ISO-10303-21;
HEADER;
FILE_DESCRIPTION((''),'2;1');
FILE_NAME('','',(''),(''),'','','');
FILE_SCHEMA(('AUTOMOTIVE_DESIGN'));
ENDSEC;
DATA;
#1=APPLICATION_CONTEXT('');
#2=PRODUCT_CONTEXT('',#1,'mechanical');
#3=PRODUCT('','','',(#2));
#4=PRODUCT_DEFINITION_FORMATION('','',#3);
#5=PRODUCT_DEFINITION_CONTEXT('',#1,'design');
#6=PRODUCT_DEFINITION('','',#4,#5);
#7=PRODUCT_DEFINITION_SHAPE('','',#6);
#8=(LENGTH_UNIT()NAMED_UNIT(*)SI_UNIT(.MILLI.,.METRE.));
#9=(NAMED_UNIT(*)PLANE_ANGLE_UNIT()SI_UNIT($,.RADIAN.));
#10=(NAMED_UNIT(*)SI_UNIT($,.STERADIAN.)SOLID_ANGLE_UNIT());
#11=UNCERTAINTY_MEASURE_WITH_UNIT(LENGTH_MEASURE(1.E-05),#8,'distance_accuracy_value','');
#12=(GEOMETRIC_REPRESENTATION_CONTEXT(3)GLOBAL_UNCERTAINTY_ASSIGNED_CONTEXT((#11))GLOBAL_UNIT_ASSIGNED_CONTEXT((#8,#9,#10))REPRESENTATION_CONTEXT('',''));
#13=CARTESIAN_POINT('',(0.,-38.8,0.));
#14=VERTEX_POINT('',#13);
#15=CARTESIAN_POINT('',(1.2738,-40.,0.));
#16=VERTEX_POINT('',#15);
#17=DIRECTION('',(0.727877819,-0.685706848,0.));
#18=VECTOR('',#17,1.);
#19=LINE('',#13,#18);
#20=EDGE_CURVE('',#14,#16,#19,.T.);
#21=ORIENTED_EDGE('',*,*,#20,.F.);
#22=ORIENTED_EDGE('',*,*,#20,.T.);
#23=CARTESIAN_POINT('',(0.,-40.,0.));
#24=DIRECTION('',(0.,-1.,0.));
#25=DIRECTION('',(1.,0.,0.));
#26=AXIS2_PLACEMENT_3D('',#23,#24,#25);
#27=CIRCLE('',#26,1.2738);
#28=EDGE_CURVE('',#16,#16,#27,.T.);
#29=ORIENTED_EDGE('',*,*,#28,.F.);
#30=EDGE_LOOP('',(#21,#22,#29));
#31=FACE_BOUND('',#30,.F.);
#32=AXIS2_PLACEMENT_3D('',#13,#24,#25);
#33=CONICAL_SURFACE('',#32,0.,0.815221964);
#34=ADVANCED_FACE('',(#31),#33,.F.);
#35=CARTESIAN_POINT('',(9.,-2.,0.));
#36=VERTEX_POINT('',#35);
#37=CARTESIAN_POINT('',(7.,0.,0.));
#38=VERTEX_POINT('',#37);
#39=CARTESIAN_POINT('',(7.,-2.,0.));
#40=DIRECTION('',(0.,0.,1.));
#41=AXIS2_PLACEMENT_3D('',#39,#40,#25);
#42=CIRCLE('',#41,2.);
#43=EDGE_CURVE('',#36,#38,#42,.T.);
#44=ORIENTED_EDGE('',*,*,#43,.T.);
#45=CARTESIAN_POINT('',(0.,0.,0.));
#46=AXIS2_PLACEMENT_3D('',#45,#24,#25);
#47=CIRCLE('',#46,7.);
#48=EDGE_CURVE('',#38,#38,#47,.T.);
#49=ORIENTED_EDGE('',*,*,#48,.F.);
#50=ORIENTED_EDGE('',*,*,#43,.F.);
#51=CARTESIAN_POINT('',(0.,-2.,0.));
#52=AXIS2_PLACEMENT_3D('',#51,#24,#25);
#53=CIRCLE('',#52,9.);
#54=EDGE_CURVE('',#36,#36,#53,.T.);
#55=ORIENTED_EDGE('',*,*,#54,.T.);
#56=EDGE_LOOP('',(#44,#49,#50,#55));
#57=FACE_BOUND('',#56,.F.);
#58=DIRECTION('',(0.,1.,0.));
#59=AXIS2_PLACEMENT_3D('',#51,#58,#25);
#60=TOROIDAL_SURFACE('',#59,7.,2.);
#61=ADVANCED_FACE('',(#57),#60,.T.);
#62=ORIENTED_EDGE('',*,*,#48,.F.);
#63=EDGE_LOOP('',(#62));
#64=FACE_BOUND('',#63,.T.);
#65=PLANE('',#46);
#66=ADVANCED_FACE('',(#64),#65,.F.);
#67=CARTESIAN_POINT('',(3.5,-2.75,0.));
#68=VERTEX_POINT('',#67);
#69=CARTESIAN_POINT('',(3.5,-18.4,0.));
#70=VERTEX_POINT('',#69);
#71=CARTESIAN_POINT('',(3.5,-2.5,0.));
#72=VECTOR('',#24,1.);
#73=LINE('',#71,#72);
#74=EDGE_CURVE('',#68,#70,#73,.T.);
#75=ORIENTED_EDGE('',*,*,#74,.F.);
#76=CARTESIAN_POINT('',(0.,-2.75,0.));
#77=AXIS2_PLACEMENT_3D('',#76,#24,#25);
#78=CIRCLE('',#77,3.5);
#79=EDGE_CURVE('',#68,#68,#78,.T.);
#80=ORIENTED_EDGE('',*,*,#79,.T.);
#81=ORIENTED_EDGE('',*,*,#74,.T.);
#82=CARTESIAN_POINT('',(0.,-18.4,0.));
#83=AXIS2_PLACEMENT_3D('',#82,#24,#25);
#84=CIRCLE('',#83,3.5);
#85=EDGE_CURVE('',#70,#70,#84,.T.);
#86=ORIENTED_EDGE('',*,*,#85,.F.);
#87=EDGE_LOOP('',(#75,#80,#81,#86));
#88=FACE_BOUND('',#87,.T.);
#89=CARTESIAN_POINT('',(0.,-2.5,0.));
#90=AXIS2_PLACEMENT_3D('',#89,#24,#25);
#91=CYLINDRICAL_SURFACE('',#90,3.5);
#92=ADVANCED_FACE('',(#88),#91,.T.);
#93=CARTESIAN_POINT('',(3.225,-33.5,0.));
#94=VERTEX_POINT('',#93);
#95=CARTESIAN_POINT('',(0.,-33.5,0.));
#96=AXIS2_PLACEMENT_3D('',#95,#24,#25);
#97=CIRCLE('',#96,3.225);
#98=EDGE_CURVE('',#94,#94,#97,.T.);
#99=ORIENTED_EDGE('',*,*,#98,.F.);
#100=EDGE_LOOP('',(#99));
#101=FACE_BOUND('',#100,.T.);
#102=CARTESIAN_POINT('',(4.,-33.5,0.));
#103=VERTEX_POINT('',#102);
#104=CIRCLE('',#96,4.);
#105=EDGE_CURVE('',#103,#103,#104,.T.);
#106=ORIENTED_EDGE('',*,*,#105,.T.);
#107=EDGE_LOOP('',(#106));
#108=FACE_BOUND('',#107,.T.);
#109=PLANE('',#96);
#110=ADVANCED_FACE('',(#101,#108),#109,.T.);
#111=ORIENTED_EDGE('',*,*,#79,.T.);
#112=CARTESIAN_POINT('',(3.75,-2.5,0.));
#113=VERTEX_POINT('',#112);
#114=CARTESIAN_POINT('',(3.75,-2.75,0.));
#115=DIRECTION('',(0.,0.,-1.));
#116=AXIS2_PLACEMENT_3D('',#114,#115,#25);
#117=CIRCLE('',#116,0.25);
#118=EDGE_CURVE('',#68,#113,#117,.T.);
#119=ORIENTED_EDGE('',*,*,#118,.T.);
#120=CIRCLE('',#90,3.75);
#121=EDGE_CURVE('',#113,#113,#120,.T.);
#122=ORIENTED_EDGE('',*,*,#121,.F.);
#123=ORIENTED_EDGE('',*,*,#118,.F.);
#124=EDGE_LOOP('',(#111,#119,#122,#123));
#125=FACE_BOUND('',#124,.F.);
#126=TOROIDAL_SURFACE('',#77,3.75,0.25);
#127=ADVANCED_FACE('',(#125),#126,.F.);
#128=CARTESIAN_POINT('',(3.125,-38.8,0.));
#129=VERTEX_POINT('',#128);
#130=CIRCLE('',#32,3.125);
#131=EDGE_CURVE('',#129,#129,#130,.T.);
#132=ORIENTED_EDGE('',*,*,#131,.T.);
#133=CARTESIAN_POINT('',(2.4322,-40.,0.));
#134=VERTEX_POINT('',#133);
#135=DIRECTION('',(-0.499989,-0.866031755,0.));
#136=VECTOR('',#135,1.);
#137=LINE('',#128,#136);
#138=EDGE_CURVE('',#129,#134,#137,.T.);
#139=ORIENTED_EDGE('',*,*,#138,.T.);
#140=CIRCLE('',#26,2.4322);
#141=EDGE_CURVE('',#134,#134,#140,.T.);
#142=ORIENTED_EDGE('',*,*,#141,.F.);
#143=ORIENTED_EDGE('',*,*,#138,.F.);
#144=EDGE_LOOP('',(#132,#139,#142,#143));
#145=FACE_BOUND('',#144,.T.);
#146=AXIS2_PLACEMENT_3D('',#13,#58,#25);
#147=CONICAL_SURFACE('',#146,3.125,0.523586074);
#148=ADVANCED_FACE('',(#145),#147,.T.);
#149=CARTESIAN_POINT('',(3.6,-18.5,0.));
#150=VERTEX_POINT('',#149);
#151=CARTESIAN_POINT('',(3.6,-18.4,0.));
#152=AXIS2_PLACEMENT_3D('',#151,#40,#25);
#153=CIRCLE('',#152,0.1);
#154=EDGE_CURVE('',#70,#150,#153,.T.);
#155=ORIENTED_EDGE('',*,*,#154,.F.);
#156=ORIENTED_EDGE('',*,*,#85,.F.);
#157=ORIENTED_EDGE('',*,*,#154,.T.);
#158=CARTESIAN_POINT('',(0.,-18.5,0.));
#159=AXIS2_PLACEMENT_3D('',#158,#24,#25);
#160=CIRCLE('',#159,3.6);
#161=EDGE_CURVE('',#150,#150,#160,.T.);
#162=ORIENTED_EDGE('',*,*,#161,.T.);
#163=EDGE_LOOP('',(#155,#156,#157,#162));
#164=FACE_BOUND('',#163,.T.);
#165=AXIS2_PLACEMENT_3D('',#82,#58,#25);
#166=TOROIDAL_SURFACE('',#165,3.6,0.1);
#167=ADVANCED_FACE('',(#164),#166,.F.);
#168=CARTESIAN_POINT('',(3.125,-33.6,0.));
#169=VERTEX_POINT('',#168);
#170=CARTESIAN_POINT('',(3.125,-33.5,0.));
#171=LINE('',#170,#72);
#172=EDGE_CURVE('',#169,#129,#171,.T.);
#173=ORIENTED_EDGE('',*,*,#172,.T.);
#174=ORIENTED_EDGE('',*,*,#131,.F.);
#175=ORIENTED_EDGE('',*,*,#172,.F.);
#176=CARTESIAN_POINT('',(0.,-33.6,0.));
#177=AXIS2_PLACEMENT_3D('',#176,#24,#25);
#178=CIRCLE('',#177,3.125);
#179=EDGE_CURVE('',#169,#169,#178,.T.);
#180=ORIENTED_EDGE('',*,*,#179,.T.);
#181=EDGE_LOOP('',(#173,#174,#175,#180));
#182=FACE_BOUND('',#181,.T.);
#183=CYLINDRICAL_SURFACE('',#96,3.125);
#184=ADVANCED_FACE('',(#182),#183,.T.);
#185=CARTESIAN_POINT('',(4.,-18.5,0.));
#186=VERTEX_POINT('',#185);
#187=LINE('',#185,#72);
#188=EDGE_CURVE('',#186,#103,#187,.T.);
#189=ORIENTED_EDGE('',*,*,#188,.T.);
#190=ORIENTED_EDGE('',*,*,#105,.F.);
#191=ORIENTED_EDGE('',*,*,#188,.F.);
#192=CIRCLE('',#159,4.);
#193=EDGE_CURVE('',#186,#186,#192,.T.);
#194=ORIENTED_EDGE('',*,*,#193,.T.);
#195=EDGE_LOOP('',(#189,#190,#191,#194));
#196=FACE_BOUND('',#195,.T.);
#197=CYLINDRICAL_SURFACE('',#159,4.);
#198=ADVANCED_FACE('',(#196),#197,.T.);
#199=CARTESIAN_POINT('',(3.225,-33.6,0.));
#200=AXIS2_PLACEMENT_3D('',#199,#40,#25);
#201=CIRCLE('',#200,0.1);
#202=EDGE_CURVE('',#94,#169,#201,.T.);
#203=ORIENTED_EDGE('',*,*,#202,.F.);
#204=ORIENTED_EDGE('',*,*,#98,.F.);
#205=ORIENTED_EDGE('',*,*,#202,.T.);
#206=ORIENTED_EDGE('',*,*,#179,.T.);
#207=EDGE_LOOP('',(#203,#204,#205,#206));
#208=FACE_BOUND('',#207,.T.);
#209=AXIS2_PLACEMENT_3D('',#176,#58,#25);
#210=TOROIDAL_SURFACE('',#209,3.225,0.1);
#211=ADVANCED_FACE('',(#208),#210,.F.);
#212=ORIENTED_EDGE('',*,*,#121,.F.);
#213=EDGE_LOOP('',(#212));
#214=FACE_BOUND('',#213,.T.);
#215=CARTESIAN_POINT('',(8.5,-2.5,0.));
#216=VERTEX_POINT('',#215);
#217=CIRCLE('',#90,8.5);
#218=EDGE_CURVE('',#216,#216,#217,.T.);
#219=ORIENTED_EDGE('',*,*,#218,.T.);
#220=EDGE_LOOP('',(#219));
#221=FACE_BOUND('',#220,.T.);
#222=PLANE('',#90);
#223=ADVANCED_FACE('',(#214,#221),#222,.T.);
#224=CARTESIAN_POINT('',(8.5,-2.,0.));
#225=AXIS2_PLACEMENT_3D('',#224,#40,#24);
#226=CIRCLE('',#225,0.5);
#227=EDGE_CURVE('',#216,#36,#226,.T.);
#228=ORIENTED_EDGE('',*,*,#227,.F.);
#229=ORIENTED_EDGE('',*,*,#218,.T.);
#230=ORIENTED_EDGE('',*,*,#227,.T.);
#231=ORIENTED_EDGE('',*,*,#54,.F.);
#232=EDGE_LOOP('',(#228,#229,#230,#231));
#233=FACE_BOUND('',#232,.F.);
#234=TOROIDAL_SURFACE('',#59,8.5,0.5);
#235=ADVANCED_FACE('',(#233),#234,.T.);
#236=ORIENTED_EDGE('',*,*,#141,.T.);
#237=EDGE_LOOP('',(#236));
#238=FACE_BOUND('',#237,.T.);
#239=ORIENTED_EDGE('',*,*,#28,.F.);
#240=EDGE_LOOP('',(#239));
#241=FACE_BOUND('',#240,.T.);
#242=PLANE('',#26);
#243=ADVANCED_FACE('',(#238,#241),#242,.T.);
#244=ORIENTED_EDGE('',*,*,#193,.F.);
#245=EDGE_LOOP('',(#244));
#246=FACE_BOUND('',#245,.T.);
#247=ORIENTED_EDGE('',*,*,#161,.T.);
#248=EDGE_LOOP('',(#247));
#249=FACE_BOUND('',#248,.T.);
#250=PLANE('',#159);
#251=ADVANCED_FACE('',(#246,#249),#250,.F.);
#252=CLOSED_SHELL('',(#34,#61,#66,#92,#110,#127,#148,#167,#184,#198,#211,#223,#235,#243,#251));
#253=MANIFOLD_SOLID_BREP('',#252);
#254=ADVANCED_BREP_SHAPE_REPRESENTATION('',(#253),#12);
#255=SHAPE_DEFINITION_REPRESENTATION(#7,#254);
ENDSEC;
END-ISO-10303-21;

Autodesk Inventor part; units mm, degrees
ref_plane "YZ Plane" through (0, 0, 0) normal (1, 0, 0) x (0, 1, 0)
ref_plane "XZ Plane" through (0, 0, 0) normal (0, 1, 0) x (-1, 0, 0)
ref_plane "XY Plane" through (0, 0, 0) normal (0, 0, 1) x (1, 0, 0)
sketch "Sketch1" plane through (0, 0, 0) normal (0, 0, 1) x (1, 0, 0)
  line L0 (0, 0) -> (0, -38.8)
  line L1 (0, 0) -> (7, 0)
  line L2 (9, -2) -> (9, -2)
  line L3 (8.5, -2.5) -> (3.5, -2.5)
  line L4 (3.5, -2.5) -> (3.5, -18.5)
  line L5 (3.5, -18.5) -> (4, -18.5)
  line L6 (4, -18.5) -> (4, -33.5)
  line L7 (4, -33.5) -> (3.125, -33.5)
  line L8 (3.125, -33.5) -> (3.125, -38.8)
  line L9 (3.125, -38.8) -> (2.4322, -40)
  line L10 (2.4322, -40) -> (1.2738, -40)
  arc A0 (8.5, -2.5) -> (9, -2) centre (8.5, -2) ccw
  arc A1 (9, -2) -> (7, 0) centre (7, -2) ccw
  line L11 (0, -38.8) -> (1.2738, -40)
  dimension "d1" = 2.5
  dimension "d2" = 16
  dimension "d3" = 15
  dimension "d4" = 1.2
  dimension "d5" = 60
  dimension "d6" = 3.125
  dimension "d7" = 3.5
  dimension "d8" = 4
  dimension "d9" = 9
  dimension "d10" = 0.5
  dimension "d11" = 2
  dimension "d12" = 1.75
  dimension "d15" = 40
revolve "Revolution1" add sketch "Sketch1" angle 360 about axis through (0, 0, 0) along (0, -1, 0)
fillet "Fillet1" radius 0.1 2 edges at (-3.125, -33.5, 0) (-3.5, -18.5, 0)
fillet "Fillet2" radius 0.25 1 edges at (-3.5, -2.5, 0)
properties part number "100-02" material "Stainless Steel"
